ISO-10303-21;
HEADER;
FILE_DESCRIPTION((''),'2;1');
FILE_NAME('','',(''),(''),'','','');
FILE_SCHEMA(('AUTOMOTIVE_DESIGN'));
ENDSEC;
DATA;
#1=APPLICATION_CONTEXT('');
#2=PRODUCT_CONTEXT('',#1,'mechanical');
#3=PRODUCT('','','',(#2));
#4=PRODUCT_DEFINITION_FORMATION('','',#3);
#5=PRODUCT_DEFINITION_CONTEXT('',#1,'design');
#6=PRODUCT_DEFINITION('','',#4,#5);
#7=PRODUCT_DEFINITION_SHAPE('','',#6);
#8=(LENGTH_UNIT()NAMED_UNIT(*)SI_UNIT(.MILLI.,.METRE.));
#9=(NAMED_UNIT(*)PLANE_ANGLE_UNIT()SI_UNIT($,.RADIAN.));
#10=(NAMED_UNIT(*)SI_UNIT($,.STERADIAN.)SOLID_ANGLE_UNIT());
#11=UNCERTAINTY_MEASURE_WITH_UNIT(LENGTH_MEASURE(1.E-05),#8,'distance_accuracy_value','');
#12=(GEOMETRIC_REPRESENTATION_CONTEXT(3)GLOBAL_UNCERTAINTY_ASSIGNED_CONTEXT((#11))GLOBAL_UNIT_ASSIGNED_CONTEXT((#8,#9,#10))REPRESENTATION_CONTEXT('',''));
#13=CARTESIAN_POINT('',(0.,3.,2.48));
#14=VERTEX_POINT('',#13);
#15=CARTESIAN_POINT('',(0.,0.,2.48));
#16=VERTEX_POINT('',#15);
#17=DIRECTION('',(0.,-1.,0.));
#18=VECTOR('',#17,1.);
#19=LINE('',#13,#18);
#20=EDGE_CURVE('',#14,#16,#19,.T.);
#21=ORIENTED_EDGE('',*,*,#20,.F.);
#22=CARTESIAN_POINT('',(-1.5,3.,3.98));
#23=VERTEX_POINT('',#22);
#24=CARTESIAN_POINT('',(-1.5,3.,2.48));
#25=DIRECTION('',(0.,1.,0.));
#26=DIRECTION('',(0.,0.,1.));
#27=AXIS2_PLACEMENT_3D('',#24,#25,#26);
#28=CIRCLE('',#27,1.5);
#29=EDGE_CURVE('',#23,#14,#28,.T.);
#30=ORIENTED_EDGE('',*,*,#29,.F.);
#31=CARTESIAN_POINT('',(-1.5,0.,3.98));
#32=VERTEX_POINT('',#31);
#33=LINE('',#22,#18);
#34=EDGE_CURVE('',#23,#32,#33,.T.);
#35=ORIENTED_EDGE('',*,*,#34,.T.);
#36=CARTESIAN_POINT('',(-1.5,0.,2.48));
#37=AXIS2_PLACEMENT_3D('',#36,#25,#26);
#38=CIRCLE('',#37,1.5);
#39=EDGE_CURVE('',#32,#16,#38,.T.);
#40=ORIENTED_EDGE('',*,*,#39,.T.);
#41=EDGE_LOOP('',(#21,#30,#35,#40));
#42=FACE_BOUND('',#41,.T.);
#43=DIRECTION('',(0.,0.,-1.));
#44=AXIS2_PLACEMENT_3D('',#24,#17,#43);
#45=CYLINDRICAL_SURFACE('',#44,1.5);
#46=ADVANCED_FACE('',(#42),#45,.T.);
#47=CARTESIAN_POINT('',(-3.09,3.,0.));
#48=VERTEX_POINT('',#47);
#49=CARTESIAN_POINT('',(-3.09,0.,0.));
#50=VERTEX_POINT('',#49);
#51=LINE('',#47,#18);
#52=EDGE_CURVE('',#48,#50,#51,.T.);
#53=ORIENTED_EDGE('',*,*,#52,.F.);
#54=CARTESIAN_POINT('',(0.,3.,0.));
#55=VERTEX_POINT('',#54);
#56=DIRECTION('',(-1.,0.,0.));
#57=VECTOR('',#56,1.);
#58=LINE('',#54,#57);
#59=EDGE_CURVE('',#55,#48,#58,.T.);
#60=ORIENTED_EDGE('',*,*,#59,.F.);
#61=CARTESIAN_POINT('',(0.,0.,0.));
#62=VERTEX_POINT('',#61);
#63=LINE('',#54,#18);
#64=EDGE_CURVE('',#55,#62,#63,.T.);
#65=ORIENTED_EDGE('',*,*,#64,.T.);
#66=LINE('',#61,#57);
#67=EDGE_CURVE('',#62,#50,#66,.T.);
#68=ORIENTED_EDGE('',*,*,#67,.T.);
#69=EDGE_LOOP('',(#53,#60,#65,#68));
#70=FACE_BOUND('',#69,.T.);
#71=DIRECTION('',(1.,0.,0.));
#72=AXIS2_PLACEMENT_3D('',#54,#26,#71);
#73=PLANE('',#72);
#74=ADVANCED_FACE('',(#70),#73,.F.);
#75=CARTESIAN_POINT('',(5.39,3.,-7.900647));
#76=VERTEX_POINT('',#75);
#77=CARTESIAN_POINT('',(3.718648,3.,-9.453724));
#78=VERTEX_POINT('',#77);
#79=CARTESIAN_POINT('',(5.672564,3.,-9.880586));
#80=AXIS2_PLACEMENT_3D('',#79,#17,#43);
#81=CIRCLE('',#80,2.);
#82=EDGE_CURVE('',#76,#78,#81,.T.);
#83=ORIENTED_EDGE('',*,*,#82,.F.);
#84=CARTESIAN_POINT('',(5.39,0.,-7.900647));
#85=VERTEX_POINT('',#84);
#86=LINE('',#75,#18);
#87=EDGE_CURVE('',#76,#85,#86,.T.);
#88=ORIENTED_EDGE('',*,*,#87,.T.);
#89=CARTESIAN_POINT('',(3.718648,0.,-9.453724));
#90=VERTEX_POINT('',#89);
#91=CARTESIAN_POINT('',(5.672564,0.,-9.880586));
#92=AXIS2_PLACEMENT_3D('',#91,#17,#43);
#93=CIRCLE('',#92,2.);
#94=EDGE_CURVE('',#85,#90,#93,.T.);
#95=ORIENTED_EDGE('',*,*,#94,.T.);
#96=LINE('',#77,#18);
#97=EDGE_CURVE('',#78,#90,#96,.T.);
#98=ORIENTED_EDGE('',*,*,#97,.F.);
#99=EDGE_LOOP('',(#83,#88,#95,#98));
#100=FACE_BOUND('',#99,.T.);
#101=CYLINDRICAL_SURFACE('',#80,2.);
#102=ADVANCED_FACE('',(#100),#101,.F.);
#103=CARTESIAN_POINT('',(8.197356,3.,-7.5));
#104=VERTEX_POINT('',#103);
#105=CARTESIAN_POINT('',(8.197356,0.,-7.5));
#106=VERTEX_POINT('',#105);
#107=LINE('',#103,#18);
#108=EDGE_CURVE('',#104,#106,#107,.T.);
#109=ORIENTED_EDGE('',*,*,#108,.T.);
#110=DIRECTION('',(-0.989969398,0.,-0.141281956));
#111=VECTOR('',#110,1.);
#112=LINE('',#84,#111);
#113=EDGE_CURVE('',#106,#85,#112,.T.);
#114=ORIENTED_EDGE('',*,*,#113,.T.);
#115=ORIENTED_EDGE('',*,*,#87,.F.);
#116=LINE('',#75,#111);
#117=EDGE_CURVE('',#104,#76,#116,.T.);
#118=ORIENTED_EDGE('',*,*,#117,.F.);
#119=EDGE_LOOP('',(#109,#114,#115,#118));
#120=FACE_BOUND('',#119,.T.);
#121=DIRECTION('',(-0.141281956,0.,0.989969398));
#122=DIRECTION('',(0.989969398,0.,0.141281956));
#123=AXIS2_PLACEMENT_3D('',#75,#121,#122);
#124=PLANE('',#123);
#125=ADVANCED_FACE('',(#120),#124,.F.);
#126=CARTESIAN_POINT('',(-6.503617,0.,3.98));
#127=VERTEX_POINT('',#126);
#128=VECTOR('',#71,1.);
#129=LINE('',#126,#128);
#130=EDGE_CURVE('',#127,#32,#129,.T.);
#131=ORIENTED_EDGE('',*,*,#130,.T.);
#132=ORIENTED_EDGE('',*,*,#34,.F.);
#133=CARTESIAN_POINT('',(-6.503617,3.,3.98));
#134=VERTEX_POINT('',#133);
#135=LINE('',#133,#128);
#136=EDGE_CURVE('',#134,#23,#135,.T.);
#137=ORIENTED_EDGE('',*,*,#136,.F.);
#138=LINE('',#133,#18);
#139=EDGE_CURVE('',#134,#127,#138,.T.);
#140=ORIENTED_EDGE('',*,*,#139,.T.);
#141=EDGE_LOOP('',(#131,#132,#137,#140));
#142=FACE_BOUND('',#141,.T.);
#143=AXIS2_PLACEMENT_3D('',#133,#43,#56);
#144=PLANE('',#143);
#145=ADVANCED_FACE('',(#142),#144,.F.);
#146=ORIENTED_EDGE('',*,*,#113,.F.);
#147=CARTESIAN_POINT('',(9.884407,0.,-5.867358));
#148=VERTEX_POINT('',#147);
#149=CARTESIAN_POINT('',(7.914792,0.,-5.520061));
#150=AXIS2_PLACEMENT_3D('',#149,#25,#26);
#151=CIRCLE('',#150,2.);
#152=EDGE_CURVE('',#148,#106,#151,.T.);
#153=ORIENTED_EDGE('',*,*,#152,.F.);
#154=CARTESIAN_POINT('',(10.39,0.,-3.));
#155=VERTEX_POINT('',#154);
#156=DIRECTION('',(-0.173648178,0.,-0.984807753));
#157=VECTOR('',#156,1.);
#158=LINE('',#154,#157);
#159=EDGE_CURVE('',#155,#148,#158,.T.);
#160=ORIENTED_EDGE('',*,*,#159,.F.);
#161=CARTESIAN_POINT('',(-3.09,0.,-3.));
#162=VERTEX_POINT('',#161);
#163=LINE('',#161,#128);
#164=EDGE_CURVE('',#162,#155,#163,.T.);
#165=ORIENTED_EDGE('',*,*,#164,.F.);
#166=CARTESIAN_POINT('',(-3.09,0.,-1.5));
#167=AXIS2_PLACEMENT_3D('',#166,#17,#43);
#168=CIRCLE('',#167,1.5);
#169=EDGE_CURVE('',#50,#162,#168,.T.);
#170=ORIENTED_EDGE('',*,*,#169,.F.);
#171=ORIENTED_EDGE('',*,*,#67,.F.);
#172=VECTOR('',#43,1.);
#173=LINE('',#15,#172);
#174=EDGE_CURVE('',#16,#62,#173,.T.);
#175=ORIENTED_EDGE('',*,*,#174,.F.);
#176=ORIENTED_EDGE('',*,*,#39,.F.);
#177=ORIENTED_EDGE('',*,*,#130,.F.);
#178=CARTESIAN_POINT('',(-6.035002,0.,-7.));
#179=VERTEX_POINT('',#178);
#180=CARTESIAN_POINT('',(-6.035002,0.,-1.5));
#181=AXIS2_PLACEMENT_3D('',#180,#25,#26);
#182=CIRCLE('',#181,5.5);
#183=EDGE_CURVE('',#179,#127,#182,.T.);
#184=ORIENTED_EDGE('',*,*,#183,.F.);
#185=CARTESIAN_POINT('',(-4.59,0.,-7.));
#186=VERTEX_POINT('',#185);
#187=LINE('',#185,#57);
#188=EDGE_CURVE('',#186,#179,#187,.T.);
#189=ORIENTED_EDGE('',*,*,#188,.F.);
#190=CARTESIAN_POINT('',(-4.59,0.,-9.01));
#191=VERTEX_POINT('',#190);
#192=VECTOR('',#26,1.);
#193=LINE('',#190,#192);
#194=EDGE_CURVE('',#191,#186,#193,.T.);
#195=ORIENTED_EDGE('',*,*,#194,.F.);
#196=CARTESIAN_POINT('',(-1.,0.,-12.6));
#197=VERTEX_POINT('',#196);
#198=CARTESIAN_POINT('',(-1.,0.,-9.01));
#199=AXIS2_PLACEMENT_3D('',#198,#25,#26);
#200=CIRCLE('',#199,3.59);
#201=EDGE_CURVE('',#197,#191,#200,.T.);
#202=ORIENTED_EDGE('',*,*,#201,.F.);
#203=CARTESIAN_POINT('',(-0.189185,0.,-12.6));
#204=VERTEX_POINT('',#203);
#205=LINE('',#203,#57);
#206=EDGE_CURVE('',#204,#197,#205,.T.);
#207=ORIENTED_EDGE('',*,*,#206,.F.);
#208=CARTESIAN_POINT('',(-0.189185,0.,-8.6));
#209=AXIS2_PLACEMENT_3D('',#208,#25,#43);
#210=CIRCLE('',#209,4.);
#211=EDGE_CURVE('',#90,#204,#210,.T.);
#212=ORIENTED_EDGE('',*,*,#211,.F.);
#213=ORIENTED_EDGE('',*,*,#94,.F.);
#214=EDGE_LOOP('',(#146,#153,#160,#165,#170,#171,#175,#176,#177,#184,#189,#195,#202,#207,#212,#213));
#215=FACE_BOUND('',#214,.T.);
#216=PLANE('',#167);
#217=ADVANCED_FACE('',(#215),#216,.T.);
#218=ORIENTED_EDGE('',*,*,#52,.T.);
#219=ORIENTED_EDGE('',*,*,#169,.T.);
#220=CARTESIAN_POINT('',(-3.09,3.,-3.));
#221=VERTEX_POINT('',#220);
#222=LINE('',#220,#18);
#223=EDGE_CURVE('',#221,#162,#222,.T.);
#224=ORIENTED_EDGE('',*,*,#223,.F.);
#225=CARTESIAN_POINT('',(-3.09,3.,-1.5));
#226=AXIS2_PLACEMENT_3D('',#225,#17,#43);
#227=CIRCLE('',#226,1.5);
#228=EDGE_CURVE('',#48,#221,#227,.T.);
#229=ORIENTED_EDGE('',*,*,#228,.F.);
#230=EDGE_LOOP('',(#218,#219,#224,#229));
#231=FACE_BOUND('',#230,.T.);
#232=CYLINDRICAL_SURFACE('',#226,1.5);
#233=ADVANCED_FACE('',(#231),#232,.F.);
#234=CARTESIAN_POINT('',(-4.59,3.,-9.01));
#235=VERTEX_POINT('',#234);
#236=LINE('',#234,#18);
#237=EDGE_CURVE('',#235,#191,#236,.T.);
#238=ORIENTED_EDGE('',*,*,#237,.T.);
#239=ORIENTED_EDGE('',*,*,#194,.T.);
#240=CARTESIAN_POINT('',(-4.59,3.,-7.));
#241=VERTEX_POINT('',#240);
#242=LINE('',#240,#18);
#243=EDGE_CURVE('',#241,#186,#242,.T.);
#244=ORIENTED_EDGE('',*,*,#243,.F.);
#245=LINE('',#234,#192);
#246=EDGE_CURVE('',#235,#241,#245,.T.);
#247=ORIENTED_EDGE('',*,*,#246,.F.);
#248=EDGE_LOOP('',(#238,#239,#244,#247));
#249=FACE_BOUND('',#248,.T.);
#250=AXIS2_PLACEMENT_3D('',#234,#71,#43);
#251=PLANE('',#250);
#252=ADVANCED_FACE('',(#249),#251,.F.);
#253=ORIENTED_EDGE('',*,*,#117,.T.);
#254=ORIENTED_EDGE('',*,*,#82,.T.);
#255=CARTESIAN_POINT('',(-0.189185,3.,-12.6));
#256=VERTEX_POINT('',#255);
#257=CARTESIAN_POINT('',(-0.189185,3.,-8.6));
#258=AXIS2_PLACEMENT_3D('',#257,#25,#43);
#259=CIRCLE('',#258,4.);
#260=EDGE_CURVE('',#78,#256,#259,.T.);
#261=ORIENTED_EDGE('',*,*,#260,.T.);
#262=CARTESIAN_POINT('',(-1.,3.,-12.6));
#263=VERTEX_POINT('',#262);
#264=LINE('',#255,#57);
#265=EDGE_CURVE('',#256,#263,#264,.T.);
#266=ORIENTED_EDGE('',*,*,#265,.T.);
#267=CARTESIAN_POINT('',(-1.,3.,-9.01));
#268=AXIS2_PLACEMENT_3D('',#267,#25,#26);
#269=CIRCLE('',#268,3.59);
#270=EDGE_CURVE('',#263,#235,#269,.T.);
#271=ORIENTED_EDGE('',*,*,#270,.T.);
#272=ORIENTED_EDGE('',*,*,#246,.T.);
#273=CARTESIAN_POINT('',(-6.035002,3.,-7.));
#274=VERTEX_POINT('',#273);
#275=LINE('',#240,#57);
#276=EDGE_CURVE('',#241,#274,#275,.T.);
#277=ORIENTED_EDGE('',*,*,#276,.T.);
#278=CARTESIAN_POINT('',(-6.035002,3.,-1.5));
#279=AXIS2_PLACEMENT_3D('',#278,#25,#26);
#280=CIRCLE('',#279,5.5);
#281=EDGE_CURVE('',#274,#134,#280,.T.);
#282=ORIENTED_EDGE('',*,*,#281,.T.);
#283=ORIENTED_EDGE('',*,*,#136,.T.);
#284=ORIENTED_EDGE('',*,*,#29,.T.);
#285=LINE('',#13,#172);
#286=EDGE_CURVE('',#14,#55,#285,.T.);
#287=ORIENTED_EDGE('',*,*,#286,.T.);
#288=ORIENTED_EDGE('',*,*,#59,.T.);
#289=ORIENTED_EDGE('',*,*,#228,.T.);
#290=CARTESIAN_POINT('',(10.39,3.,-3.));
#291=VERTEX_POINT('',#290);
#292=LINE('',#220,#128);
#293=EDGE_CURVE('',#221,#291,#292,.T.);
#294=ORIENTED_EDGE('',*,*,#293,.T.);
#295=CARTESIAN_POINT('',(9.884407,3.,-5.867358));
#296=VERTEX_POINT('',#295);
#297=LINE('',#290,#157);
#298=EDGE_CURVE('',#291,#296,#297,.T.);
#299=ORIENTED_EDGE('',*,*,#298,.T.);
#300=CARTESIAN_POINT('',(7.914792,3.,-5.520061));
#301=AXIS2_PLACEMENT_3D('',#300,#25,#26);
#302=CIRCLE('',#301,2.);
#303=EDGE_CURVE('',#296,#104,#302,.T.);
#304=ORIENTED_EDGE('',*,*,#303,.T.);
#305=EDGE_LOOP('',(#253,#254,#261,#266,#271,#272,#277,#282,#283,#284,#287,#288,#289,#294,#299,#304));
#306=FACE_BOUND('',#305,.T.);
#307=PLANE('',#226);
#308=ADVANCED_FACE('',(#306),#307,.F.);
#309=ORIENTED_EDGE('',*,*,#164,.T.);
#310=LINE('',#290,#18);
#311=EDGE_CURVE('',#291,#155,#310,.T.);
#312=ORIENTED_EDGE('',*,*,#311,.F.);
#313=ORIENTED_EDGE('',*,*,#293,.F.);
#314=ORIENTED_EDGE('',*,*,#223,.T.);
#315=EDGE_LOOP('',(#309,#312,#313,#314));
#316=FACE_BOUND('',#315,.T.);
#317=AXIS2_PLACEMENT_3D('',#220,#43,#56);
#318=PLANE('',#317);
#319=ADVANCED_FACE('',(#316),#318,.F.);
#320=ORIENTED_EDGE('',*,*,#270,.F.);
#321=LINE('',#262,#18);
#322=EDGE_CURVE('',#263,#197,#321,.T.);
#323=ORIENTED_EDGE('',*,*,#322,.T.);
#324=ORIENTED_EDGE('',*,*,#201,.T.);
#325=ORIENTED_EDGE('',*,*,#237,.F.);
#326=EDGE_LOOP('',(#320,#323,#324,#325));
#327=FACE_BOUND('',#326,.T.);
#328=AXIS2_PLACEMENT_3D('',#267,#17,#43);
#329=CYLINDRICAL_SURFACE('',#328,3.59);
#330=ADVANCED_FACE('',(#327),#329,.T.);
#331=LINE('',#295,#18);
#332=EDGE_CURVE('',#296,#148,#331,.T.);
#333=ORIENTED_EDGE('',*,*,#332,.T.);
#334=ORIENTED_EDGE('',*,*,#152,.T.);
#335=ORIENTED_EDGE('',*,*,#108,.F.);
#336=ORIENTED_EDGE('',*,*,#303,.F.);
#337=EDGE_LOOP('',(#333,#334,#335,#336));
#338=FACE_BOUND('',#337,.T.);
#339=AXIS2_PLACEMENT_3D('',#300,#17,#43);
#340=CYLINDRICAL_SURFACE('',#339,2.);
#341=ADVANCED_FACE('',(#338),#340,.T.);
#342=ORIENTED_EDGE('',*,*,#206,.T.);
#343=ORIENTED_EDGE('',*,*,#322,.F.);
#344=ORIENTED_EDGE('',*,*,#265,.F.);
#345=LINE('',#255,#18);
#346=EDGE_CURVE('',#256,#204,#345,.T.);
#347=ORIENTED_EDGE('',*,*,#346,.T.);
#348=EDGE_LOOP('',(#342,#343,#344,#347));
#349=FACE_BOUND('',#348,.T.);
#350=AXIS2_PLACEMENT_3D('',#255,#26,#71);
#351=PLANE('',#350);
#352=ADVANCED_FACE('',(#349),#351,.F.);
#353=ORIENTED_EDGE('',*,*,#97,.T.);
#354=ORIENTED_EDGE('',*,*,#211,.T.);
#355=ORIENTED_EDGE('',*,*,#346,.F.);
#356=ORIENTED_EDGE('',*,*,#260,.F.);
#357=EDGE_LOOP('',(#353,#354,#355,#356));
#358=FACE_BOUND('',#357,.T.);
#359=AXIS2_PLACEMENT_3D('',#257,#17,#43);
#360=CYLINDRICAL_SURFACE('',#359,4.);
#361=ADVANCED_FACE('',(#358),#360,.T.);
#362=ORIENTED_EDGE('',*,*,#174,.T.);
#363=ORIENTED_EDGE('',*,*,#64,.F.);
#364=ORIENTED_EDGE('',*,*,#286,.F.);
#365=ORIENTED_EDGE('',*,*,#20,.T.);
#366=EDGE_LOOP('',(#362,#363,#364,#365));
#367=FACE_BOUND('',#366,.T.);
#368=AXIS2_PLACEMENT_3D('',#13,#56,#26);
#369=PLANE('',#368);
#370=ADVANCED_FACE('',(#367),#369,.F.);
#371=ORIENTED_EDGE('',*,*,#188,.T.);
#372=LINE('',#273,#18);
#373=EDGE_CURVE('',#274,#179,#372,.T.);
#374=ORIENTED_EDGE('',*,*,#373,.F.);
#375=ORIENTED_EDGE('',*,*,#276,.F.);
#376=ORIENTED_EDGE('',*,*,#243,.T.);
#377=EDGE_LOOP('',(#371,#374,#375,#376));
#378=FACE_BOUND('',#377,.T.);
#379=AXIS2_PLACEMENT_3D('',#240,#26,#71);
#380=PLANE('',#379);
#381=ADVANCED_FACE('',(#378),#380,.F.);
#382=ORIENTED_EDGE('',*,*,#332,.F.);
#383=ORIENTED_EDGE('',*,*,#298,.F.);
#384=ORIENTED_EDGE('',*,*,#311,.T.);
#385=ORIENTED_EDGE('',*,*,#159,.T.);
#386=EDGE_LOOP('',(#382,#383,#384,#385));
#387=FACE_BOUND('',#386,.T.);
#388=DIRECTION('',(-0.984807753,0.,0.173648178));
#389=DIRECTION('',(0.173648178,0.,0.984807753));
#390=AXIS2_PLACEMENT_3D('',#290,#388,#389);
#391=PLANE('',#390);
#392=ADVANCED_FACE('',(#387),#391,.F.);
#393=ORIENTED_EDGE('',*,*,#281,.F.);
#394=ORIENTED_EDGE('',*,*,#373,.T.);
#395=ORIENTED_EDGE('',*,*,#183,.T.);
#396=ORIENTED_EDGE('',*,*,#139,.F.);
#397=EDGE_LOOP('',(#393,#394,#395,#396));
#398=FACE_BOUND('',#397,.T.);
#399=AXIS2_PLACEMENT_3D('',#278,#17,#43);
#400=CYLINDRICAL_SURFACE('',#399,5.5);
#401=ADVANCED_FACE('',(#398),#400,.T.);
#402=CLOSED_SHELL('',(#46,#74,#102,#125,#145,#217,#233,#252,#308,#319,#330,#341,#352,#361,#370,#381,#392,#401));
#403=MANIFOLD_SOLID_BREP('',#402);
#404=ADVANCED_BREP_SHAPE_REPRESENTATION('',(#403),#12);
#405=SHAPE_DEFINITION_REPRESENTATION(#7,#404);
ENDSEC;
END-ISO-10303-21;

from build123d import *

# Parameters (mm, degrees)
BOSS_EXTRUDE2_DEPTH = 3


with BuildPart() as part:
    # Sketch1 → Boss-Extrude2 (new body)
    with BuildSketch(Plane(origin=(0, 0, 0), x_dir=(1, 0, 0), z_dir=(0, 1, 0))):
        with BuildLine():
            Line((0, 0), (-3.09, 0))
            ThreePointArc((-3.09, 0), (-4.59, 1.5), (-3.09, 3))
            Line((-3.09, 3), (10.39, 3))
            Line((10.39, 3), (9.884407499, 5.867357559))
            ThreePointArc((9.884407499, 5.867357559), (9.305640068, 6.957260436), (8.197355905, 7.5))
            Line((8.197355905, 7.5), (5.39, 7.900647469))
            ThreePointArc((5.39, 7.900647469), (4.311140868, 8.415483097), (3.718647651, 9.453724177))
            ThreePointArc((3.718647651, 9.453724177), (2.319311021, 11.715677832), (-0.189184873, 12.6))
            Line((-0.189184873, 12.6), (-1, 12.6))
            ThreePointArc((-1, 12.6), (-3.538513344, 11.548513344), (-4.59, 9.01))
            Line((-4.59, 9.01), (-4.59, 7))
            Line((-4.59, 7), (-6.035002275, 7))
            ThreePointArc((-6.035002275, 7), (-11.53, 1.734520788), (-6.503617255, -3.98))
            Line((-6.503617255, -3.98), (-1.5, -3.98))
            ThreePointArc((-1.5, -3.98), (-0.439339828, -3.540660172), (0, -2.48))
            Line((0, -2.48), (0, 0))
        make_face()
    extrude(amount=BOSS_EXTRUDE2_DEPTH)


solid = part.part
